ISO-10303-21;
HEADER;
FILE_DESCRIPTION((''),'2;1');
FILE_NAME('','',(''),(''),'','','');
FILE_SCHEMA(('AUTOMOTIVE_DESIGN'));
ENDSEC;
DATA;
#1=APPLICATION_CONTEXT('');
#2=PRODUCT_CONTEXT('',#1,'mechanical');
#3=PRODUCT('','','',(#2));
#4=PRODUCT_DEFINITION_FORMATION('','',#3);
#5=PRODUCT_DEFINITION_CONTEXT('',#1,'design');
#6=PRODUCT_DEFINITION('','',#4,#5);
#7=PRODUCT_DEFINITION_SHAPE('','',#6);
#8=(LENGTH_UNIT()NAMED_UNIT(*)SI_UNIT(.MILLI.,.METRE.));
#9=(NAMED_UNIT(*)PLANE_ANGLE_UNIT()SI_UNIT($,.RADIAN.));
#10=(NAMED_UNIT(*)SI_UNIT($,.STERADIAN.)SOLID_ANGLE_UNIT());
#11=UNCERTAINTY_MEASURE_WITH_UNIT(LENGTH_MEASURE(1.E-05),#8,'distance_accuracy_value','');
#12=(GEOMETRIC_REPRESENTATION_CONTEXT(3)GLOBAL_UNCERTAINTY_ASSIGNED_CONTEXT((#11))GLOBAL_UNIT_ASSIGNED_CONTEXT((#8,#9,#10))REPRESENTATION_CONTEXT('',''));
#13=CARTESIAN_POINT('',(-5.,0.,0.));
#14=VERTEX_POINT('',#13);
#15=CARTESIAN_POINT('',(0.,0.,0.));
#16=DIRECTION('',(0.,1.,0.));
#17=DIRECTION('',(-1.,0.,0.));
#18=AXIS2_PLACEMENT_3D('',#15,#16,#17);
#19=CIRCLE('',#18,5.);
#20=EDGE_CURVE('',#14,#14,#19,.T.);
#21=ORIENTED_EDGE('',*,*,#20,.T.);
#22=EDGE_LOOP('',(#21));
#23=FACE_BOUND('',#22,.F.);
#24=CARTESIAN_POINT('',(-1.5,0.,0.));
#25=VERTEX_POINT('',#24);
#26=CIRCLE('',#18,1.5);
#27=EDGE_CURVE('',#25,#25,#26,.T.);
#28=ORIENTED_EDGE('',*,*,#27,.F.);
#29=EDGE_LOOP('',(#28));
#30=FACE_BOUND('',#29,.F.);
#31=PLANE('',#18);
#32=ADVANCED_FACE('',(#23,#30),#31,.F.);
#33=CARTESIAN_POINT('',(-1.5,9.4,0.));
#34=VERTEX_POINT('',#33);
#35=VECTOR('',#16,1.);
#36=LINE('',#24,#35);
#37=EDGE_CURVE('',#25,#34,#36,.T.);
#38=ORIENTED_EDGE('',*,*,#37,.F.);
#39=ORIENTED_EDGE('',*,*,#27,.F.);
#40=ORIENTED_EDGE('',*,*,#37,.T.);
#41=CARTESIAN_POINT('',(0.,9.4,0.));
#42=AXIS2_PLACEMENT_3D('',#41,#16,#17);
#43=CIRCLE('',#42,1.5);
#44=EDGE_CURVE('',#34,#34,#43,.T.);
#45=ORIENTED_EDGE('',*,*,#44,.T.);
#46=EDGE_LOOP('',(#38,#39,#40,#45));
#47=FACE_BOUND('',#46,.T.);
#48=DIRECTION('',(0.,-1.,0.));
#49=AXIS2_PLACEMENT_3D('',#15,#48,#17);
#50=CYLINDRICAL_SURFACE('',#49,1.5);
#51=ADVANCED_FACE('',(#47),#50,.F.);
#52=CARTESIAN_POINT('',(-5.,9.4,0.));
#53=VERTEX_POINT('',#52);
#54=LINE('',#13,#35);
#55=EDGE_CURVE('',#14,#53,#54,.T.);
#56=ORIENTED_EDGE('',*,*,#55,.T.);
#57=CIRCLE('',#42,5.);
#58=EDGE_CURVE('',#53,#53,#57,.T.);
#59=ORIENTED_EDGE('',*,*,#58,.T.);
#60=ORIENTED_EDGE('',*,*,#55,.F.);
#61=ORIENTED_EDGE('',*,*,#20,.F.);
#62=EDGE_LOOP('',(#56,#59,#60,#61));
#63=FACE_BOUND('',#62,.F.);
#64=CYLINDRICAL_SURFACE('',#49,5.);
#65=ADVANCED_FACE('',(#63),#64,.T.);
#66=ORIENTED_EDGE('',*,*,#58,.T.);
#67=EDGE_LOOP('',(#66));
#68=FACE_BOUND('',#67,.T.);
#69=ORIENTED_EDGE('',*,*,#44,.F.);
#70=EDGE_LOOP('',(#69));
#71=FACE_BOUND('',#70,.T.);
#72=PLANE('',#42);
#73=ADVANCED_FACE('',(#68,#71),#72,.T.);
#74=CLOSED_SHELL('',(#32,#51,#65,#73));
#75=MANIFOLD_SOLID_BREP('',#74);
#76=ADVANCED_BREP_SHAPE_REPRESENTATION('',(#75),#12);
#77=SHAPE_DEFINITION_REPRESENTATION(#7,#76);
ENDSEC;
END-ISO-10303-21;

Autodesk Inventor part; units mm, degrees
ref_plane "YZ Plane" through (0, 0, 0) normal (1, 0, 0) x (0, 1, 0)
ref_plane "XZ Plane" through (0, 0, 0) normal (0, 1, 0) x (-1, 0, 0)
ref_plane "XY Plane" through (0, 0, 0) normal (0, 0, 1) x (1, 0, 0)
sketch "Sketch1" plane through (0, 0, 0) normal (0, 1, 0) x (-1, 0, 0)
  circle A0 centre (0, 0) radius 1.5
  circle A1 centre (0, 0) radius 5
  dimension "d0" = 3
  dimension "d1" = 10
extrude "Extrusion1" add sketch "Sketch1" along normal blind 9.4
properties part number "YAxisMotorBearingSpacerRightLower" material "ABS Plastic"
